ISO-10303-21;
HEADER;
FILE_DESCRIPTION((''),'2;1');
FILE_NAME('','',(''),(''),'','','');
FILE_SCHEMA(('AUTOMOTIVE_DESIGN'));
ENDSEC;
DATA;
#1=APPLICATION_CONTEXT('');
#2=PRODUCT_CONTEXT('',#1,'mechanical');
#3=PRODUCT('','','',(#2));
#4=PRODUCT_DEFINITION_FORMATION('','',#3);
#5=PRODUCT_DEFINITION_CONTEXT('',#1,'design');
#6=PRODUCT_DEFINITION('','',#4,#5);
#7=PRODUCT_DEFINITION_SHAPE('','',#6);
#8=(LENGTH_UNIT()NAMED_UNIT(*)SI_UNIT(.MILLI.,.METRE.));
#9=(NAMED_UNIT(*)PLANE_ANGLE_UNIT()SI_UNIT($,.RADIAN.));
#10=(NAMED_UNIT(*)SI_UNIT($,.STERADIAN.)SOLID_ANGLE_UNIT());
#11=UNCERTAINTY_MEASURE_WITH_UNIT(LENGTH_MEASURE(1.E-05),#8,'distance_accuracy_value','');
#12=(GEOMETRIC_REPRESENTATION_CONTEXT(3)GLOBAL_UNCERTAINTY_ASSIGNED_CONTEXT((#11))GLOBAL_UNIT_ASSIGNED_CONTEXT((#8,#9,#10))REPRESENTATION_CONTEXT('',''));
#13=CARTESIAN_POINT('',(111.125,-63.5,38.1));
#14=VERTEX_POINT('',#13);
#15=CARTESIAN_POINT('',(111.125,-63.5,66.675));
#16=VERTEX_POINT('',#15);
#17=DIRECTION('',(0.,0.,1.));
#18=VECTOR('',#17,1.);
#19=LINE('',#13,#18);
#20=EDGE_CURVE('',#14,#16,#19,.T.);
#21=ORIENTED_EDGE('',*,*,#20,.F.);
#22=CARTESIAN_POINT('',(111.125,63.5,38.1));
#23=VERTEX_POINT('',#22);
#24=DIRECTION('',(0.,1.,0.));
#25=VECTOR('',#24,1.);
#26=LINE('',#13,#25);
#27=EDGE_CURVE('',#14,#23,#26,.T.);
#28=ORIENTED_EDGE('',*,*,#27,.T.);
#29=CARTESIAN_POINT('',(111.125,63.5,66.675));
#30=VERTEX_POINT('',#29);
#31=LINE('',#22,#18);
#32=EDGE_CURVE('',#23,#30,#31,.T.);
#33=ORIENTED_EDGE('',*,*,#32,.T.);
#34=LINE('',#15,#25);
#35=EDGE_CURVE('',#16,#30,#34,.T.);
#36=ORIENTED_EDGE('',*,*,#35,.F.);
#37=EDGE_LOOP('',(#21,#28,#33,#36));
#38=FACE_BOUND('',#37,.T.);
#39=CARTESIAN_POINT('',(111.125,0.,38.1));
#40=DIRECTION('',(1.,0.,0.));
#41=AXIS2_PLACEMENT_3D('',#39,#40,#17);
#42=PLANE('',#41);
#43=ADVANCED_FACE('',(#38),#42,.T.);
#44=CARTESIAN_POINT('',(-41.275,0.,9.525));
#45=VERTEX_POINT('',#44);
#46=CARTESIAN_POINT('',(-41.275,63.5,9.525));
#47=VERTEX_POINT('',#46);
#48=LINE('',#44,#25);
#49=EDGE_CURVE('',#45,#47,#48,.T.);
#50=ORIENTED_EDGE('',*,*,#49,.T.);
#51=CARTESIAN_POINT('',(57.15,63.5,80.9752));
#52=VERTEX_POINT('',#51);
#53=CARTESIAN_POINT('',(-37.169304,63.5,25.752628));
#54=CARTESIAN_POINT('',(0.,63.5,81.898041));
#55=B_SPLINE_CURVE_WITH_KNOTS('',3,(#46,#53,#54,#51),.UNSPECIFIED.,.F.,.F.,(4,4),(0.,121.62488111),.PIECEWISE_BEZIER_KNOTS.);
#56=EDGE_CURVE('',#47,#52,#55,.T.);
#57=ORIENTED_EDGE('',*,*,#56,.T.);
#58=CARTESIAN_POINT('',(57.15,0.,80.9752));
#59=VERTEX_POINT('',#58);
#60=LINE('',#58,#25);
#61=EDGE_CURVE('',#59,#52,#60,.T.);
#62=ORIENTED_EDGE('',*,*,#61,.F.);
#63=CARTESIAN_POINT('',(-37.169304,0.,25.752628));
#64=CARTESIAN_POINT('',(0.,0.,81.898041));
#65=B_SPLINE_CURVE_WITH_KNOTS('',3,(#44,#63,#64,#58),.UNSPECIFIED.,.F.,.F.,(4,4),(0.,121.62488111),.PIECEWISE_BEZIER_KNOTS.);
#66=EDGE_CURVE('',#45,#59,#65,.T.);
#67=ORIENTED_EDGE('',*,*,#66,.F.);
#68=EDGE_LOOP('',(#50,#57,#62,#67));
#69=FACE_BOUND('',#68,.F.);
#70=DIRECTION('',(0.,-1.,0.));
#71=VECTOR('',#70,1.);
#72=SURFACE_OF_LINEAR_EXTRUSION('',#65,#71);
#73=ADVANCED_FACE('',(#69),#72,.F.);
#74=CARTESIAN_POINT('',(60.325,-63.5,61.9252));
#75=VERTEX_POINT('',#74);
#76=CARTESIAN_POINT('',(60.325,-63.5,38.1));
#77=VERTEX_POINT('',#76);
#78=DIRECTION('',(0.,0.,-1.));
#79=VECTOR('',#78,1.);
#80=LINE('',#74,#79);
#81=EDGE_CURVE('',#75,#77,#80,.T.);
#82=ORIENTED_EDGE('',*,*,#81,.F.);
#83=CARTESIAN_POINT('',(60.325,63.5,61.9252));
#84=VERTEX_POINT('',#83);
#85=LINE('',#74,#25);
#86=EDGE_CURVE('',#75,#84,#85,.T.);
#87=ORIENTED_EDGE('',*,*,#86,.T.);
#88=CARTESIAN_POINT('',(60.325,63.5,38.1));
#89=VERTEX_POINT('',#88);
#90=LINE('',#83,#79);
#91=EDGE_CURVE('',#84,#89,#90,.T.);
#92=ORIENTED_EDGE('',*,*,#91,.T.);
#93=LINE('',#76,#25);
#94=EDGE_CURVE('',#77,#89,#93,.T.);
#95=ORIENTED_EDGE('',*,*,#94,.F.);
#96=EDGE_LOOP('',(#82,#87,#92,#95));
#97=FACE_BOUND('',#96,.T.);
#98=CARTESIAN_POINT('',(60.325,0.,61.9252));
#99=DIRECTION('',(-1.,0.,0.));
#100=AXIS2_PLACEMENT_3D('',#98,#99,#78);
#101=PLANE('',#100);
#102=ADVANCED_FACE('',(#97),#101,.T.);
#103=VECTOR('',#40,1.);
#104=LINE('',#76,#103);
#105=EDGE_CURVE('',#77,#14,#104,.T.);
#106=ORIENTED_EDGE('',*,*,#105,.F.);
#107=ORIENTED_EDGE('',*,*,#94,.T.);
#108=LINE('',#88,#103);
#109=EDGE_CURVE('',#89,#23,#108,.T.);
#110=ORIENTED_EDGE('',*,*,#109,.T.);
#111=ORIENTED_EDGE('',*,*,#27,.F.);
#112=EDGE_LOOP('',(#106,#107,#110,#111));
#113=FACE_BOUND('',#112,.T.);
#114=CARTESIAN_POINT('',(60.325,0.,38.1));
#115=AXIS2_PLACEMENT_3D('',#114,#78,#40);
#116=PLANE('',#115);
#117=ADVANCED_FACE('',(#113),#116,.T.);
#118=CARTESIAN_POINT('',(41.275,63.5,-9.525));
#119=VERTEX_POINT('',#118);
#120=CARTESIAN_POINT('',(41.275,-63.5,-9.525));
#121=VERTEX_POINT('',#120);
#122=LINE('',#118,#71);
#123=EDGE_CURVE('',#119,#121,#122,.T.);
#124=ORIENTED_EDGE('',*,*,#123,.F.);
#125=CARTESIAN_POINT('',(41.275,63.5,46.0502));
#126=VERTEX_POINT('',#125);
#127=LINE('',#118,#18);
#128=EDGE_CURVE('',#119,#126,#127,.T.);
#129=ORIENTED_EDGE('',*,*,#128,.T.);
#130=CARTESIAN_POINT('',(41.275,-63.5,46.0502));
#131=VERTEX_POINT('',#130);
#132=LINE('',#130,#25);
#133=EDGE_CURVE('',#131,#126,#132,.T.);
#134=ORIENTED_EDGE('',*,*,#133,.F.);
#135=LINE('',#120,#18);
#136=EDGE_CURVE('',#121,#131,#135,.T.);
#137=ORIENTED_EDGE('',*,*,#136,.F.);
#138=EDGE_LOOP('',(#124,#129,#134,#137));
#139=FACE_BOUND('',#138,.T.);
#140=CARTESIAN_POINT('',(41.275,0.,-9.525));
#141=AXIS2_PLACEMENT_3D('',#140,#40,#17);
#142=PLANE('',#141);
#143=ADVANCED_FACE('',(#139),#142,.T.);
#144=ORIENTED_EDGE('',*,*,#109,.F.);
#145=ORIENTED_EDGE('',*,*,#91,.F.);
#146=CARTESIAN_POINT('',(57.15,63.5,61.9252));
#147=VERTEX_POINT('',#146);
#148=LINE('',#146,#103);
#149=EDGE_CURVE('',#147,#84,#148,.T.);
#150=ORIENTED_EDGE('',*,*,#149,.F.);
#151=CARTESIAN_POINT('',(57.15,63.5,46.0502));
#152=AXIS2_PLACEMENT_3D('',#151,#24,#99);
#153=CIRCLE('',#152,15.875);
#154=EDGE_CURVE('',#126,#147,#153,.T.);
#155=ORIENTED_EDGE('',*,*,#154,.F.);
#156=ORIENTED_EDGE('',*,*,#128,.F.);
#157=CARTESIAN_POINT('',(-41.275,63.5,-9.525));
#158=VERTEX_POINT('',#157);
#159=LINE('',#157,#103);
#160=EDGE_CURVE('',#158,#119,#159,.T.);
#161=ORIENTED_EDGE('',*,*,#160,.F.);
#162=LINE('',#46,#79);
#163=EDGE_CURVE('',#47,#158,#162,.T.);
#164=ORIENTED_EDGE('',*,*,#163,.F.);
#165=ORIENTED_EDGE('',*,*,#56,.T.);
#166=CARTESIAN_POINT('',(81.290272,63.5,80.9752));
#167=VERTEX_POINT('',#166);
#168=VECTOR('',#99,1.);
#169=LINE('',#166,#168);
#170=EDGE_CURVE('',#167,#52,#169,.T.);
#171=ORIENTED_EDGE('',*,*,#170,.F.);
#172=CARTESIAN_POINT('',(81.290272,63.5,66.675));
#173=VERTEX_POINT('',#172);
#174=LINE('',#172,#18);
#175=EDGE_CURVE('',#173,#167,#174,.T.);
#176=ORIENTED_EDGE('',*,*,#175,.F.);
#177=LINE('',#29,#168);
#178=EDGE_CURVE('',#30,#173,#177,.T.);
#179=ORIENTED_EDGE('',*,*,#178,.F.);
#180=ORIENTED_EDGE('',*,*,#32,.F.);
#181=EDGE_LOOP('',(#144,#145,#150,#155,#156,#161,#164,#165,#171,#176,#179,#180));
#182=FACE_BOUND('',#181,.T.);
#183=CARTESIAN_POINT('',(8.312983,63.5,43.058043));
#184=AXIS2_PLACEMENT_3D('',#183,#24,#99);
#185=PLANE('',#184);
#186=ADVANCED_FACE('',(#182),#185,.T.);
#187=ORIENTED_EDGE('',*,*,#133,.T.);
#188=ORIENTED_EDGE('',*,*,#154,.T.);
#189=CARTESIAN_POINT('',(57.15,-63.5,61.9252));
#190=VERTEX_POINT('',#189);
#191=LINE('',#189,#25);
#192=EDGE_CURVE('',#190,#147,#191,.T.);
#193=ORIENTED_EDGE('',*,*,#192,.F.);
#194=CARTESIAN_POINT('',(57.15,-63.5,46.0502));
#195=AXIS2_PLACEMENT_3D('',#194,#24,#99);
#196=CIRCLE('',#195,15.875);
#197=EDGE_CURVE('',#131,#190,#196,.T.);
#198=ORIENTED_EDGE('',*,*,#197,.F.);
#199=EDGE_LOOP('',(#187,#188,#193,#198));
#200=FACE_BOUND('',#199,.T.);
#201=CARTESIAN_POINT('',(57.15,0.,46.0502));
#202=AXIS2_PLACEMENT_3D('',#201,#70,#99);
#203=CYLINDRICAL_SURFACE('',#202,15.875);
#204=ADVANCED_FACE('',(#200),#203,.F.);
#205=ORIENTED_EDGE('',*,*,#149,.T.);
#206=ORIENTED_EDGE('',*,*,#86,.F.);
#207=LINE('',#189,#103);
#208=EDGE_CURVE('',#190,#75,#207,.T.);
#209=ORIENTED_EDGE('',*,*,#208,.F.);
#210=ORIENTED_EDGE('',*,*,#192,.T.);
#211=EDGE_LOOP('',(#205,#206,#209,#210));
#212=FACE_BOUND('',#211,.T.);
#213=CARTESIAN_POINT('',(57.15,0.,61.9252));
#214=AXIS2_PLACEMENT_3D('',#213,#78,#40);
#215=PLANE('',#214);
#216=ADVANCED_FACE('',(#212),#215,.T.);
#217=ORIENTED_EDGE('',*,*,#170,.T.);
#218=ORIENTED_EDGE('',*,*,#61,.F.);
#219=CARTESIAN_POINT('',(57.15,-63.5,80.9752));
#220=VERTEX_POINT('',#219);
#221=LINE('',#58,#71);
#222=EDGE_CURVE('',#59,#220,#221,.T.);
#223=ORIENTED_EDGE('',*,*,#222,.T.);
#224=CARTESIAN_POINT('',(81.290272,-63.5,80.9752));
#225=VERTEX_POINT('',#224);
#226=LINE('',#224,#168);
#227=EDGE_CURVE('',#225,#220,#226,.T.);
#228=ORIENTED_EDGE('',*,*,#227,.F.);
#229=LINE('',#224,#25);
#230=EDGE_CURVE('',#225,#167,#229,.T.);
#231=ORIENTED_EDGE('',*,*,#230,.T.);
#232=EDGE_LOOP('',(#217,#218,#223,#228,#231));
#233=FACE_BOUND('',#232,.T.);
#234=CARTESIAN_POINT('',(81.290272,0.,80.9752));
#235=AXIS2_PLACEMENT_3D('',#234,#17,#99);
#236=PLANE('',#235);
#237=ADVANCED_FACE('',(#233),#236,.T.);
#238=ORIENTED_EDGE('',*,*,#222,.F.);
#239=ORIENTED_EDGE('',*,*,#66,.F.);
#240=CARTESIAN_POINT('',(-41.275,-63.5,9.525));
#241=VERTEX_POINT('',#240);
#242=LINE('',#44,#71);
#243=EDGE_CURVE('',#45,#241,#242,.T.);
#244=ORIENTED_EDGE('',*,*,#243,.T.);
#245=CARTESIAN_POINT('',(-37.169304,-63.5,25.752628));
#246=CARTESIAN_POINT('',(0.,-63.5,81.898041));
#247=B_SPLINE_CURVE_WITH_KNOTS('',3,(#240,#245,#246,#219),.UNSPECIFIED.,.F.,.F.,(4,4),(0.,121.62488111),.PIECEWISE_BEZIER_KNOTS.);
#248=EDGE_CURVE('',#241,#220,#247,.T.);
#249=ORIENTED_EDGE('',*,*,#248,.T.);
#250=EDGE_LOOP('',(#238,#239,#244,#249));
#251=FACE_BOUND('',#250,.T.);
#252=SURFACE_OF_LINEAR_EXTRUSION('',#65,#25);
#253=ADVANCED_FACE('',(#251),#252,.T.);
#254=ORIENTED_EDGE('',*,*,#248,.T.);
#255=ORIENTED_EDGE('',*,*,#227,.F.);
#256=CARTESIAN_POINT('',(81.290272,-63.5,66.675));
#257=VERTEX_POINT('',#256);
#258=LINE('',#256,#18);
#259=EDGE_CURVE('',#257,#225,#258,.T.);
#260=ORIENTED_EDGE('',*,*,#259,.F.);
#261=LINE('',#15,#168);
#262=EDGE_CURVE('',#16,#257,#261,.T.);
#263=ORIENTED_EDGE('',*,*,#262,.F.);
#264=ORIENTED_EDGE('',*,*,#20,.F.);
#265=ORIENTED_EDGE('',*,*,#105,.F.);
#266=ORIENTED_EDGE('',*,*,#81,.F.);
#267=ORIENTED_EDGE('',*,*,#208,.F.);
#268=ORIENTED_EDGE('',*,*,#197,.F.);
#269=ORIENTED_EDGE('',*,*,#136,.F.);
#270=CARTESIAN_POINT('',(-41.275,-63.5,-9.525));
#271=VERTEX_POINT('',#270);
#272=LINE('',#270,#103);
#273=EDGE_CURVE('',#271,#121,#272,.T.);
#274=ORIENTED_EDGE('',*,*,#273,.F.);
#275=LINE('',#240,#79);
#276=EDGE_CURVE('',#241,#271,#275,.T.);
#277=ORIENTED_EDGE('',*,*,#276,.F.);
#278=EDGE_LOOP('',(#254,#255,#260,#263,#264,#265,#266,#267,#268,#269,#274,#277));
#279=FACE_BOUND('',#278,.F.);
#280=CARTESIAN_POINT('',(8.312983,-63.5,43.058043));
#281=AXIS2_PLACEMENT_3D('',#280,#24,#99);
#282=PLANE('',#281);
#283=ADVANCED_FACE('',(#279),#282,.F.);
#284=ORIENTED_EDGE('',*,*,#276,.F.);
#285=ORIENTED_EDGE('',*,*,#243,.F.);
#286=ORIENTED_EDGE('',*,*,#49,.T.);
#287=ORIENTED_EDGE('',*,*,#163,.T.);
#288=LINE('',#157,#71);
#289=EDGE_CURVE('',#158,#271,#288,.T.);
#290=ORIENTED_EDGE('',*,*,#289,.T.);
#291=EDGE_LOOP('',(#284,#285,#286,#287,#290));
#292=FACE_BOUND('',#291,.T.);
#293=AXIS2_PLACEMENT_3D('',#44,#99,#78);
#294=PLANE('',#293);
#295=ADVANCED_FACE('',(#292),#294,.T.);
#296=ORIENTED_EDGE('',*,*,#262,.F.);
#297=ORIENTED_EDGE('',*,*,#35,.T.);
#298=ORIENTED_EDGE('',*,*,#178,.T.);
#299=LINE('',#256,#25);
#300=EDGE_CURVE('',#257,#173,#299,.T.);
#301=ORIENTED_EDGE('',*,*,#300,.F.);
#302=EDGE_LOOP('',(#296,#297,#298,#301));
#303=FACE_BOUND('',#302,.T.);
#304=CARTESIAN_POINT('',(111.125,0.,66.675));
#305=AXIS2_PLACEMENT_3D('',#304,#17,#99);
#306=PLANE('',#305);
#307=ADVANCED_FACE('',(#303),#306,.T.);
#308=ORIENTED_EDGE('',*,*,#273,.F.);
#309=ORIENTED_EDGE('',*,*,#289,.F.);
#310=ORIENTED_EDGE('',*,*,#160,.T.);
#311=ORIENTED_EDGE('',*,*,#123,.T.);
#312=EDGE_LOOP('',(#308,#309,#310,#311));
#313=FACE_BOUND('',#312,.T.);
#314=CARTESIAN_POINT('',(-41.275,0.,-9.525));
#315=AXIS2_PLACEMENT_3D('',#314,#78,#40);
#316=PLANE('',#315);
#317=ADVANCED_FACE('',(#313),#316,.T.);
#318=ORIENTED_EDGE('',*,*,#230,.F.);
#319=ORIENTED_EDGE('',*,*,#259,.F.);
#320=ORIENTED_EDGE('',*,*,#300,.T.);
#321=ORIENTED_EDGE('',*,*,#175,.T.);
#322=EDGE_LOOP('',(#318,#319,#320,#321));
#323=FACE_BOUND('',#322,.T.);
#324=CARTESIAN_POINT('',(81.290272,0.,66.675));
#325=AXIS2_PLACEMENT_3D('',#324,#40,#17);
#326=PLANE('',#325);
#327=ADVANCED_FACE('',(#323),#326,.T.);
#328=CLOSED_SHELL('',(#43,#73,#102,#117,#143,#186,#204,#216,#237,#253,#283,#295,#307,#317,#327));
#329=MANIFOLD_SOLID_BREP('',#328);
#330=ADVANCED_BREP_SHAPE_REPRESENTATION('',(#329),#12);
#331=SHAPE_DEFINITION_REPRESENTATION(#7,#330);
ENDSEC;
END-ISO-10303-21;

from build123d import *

# Parameters (mm, degrees)
F0_W     = 20.9652720133
F0_H     = 4.7498
F1_DEPTH = 63.5


with BuildPart() as f1:
    # F0 (on Front) → F1 (new body, symmetric)
    with BuildSketch(Plane.XZ):
        with BuildLine():
            add(Edge.make_bspline(
                [(-41.275, 9.525), (-37.169303745, 25.7526282221), (0, 81.8980410695), (57.15, 80.9752)],
                knots=[0, 0, 0, 0, 121.6248811101, 121.6248811101, 121.6248811101, 121.6248811101], degree=3))
            Line((-41.275, 9.525), (22.225, 9.525))
            Line((22.225, 9.525), (22.225, 46.0502))
            ThreePointArc((22.225, 46.0502), (32.4542956671, 70.7459043329), (57.15, 80.9752))
        make_face()
        Polygon((22.225, 9.525), (-41.275, 9.525), (-41.275, -9.525), (41.275, -9.525), (41.275, 9.525), align=None)
        with BuildLine():
            Line((22.225, 46.0502), (22.225, 9.525))
            Line((22.225, 9.525), (41.275, 9.525))
            Line((41.275, 9.525), (41.275, 46.0502))
            ThreePointArc((41.275, 46.0502), (45.9246798487, 57.2755201513), (57.15, 61.9252))
            Line((57.15, 61.9252), (60.325, 61.9252))
            Line((60.325, 61.9252), (60.325, 66.675))
            Line((60.325, 66.675), (81.2902720133, 66.675))
            Line((81.2902720133, 66.675), (81.2902720133, 80.9752))
            Line((81.2902720133, 80.9752), (57.15, 80.9752))
            ThreePointArc((57.15, 80.9752), (32.4542956671, 70.7459043329), (22.225, 46.0502))
        make_face()
        with Locations((70.8076360066, 64.3001)):
            Rectangle(F0_W, F0_H)
        Polygon((111.125, 66.675), (81.2902720133, 66.675), (81.2902720133, 61.9252), (60.325, 61.9252), (60.325, 38.1), (111.125, 38.1), align=None)
    extrude(amount=F1_DEPTH, both=True)


solid = f1.part
